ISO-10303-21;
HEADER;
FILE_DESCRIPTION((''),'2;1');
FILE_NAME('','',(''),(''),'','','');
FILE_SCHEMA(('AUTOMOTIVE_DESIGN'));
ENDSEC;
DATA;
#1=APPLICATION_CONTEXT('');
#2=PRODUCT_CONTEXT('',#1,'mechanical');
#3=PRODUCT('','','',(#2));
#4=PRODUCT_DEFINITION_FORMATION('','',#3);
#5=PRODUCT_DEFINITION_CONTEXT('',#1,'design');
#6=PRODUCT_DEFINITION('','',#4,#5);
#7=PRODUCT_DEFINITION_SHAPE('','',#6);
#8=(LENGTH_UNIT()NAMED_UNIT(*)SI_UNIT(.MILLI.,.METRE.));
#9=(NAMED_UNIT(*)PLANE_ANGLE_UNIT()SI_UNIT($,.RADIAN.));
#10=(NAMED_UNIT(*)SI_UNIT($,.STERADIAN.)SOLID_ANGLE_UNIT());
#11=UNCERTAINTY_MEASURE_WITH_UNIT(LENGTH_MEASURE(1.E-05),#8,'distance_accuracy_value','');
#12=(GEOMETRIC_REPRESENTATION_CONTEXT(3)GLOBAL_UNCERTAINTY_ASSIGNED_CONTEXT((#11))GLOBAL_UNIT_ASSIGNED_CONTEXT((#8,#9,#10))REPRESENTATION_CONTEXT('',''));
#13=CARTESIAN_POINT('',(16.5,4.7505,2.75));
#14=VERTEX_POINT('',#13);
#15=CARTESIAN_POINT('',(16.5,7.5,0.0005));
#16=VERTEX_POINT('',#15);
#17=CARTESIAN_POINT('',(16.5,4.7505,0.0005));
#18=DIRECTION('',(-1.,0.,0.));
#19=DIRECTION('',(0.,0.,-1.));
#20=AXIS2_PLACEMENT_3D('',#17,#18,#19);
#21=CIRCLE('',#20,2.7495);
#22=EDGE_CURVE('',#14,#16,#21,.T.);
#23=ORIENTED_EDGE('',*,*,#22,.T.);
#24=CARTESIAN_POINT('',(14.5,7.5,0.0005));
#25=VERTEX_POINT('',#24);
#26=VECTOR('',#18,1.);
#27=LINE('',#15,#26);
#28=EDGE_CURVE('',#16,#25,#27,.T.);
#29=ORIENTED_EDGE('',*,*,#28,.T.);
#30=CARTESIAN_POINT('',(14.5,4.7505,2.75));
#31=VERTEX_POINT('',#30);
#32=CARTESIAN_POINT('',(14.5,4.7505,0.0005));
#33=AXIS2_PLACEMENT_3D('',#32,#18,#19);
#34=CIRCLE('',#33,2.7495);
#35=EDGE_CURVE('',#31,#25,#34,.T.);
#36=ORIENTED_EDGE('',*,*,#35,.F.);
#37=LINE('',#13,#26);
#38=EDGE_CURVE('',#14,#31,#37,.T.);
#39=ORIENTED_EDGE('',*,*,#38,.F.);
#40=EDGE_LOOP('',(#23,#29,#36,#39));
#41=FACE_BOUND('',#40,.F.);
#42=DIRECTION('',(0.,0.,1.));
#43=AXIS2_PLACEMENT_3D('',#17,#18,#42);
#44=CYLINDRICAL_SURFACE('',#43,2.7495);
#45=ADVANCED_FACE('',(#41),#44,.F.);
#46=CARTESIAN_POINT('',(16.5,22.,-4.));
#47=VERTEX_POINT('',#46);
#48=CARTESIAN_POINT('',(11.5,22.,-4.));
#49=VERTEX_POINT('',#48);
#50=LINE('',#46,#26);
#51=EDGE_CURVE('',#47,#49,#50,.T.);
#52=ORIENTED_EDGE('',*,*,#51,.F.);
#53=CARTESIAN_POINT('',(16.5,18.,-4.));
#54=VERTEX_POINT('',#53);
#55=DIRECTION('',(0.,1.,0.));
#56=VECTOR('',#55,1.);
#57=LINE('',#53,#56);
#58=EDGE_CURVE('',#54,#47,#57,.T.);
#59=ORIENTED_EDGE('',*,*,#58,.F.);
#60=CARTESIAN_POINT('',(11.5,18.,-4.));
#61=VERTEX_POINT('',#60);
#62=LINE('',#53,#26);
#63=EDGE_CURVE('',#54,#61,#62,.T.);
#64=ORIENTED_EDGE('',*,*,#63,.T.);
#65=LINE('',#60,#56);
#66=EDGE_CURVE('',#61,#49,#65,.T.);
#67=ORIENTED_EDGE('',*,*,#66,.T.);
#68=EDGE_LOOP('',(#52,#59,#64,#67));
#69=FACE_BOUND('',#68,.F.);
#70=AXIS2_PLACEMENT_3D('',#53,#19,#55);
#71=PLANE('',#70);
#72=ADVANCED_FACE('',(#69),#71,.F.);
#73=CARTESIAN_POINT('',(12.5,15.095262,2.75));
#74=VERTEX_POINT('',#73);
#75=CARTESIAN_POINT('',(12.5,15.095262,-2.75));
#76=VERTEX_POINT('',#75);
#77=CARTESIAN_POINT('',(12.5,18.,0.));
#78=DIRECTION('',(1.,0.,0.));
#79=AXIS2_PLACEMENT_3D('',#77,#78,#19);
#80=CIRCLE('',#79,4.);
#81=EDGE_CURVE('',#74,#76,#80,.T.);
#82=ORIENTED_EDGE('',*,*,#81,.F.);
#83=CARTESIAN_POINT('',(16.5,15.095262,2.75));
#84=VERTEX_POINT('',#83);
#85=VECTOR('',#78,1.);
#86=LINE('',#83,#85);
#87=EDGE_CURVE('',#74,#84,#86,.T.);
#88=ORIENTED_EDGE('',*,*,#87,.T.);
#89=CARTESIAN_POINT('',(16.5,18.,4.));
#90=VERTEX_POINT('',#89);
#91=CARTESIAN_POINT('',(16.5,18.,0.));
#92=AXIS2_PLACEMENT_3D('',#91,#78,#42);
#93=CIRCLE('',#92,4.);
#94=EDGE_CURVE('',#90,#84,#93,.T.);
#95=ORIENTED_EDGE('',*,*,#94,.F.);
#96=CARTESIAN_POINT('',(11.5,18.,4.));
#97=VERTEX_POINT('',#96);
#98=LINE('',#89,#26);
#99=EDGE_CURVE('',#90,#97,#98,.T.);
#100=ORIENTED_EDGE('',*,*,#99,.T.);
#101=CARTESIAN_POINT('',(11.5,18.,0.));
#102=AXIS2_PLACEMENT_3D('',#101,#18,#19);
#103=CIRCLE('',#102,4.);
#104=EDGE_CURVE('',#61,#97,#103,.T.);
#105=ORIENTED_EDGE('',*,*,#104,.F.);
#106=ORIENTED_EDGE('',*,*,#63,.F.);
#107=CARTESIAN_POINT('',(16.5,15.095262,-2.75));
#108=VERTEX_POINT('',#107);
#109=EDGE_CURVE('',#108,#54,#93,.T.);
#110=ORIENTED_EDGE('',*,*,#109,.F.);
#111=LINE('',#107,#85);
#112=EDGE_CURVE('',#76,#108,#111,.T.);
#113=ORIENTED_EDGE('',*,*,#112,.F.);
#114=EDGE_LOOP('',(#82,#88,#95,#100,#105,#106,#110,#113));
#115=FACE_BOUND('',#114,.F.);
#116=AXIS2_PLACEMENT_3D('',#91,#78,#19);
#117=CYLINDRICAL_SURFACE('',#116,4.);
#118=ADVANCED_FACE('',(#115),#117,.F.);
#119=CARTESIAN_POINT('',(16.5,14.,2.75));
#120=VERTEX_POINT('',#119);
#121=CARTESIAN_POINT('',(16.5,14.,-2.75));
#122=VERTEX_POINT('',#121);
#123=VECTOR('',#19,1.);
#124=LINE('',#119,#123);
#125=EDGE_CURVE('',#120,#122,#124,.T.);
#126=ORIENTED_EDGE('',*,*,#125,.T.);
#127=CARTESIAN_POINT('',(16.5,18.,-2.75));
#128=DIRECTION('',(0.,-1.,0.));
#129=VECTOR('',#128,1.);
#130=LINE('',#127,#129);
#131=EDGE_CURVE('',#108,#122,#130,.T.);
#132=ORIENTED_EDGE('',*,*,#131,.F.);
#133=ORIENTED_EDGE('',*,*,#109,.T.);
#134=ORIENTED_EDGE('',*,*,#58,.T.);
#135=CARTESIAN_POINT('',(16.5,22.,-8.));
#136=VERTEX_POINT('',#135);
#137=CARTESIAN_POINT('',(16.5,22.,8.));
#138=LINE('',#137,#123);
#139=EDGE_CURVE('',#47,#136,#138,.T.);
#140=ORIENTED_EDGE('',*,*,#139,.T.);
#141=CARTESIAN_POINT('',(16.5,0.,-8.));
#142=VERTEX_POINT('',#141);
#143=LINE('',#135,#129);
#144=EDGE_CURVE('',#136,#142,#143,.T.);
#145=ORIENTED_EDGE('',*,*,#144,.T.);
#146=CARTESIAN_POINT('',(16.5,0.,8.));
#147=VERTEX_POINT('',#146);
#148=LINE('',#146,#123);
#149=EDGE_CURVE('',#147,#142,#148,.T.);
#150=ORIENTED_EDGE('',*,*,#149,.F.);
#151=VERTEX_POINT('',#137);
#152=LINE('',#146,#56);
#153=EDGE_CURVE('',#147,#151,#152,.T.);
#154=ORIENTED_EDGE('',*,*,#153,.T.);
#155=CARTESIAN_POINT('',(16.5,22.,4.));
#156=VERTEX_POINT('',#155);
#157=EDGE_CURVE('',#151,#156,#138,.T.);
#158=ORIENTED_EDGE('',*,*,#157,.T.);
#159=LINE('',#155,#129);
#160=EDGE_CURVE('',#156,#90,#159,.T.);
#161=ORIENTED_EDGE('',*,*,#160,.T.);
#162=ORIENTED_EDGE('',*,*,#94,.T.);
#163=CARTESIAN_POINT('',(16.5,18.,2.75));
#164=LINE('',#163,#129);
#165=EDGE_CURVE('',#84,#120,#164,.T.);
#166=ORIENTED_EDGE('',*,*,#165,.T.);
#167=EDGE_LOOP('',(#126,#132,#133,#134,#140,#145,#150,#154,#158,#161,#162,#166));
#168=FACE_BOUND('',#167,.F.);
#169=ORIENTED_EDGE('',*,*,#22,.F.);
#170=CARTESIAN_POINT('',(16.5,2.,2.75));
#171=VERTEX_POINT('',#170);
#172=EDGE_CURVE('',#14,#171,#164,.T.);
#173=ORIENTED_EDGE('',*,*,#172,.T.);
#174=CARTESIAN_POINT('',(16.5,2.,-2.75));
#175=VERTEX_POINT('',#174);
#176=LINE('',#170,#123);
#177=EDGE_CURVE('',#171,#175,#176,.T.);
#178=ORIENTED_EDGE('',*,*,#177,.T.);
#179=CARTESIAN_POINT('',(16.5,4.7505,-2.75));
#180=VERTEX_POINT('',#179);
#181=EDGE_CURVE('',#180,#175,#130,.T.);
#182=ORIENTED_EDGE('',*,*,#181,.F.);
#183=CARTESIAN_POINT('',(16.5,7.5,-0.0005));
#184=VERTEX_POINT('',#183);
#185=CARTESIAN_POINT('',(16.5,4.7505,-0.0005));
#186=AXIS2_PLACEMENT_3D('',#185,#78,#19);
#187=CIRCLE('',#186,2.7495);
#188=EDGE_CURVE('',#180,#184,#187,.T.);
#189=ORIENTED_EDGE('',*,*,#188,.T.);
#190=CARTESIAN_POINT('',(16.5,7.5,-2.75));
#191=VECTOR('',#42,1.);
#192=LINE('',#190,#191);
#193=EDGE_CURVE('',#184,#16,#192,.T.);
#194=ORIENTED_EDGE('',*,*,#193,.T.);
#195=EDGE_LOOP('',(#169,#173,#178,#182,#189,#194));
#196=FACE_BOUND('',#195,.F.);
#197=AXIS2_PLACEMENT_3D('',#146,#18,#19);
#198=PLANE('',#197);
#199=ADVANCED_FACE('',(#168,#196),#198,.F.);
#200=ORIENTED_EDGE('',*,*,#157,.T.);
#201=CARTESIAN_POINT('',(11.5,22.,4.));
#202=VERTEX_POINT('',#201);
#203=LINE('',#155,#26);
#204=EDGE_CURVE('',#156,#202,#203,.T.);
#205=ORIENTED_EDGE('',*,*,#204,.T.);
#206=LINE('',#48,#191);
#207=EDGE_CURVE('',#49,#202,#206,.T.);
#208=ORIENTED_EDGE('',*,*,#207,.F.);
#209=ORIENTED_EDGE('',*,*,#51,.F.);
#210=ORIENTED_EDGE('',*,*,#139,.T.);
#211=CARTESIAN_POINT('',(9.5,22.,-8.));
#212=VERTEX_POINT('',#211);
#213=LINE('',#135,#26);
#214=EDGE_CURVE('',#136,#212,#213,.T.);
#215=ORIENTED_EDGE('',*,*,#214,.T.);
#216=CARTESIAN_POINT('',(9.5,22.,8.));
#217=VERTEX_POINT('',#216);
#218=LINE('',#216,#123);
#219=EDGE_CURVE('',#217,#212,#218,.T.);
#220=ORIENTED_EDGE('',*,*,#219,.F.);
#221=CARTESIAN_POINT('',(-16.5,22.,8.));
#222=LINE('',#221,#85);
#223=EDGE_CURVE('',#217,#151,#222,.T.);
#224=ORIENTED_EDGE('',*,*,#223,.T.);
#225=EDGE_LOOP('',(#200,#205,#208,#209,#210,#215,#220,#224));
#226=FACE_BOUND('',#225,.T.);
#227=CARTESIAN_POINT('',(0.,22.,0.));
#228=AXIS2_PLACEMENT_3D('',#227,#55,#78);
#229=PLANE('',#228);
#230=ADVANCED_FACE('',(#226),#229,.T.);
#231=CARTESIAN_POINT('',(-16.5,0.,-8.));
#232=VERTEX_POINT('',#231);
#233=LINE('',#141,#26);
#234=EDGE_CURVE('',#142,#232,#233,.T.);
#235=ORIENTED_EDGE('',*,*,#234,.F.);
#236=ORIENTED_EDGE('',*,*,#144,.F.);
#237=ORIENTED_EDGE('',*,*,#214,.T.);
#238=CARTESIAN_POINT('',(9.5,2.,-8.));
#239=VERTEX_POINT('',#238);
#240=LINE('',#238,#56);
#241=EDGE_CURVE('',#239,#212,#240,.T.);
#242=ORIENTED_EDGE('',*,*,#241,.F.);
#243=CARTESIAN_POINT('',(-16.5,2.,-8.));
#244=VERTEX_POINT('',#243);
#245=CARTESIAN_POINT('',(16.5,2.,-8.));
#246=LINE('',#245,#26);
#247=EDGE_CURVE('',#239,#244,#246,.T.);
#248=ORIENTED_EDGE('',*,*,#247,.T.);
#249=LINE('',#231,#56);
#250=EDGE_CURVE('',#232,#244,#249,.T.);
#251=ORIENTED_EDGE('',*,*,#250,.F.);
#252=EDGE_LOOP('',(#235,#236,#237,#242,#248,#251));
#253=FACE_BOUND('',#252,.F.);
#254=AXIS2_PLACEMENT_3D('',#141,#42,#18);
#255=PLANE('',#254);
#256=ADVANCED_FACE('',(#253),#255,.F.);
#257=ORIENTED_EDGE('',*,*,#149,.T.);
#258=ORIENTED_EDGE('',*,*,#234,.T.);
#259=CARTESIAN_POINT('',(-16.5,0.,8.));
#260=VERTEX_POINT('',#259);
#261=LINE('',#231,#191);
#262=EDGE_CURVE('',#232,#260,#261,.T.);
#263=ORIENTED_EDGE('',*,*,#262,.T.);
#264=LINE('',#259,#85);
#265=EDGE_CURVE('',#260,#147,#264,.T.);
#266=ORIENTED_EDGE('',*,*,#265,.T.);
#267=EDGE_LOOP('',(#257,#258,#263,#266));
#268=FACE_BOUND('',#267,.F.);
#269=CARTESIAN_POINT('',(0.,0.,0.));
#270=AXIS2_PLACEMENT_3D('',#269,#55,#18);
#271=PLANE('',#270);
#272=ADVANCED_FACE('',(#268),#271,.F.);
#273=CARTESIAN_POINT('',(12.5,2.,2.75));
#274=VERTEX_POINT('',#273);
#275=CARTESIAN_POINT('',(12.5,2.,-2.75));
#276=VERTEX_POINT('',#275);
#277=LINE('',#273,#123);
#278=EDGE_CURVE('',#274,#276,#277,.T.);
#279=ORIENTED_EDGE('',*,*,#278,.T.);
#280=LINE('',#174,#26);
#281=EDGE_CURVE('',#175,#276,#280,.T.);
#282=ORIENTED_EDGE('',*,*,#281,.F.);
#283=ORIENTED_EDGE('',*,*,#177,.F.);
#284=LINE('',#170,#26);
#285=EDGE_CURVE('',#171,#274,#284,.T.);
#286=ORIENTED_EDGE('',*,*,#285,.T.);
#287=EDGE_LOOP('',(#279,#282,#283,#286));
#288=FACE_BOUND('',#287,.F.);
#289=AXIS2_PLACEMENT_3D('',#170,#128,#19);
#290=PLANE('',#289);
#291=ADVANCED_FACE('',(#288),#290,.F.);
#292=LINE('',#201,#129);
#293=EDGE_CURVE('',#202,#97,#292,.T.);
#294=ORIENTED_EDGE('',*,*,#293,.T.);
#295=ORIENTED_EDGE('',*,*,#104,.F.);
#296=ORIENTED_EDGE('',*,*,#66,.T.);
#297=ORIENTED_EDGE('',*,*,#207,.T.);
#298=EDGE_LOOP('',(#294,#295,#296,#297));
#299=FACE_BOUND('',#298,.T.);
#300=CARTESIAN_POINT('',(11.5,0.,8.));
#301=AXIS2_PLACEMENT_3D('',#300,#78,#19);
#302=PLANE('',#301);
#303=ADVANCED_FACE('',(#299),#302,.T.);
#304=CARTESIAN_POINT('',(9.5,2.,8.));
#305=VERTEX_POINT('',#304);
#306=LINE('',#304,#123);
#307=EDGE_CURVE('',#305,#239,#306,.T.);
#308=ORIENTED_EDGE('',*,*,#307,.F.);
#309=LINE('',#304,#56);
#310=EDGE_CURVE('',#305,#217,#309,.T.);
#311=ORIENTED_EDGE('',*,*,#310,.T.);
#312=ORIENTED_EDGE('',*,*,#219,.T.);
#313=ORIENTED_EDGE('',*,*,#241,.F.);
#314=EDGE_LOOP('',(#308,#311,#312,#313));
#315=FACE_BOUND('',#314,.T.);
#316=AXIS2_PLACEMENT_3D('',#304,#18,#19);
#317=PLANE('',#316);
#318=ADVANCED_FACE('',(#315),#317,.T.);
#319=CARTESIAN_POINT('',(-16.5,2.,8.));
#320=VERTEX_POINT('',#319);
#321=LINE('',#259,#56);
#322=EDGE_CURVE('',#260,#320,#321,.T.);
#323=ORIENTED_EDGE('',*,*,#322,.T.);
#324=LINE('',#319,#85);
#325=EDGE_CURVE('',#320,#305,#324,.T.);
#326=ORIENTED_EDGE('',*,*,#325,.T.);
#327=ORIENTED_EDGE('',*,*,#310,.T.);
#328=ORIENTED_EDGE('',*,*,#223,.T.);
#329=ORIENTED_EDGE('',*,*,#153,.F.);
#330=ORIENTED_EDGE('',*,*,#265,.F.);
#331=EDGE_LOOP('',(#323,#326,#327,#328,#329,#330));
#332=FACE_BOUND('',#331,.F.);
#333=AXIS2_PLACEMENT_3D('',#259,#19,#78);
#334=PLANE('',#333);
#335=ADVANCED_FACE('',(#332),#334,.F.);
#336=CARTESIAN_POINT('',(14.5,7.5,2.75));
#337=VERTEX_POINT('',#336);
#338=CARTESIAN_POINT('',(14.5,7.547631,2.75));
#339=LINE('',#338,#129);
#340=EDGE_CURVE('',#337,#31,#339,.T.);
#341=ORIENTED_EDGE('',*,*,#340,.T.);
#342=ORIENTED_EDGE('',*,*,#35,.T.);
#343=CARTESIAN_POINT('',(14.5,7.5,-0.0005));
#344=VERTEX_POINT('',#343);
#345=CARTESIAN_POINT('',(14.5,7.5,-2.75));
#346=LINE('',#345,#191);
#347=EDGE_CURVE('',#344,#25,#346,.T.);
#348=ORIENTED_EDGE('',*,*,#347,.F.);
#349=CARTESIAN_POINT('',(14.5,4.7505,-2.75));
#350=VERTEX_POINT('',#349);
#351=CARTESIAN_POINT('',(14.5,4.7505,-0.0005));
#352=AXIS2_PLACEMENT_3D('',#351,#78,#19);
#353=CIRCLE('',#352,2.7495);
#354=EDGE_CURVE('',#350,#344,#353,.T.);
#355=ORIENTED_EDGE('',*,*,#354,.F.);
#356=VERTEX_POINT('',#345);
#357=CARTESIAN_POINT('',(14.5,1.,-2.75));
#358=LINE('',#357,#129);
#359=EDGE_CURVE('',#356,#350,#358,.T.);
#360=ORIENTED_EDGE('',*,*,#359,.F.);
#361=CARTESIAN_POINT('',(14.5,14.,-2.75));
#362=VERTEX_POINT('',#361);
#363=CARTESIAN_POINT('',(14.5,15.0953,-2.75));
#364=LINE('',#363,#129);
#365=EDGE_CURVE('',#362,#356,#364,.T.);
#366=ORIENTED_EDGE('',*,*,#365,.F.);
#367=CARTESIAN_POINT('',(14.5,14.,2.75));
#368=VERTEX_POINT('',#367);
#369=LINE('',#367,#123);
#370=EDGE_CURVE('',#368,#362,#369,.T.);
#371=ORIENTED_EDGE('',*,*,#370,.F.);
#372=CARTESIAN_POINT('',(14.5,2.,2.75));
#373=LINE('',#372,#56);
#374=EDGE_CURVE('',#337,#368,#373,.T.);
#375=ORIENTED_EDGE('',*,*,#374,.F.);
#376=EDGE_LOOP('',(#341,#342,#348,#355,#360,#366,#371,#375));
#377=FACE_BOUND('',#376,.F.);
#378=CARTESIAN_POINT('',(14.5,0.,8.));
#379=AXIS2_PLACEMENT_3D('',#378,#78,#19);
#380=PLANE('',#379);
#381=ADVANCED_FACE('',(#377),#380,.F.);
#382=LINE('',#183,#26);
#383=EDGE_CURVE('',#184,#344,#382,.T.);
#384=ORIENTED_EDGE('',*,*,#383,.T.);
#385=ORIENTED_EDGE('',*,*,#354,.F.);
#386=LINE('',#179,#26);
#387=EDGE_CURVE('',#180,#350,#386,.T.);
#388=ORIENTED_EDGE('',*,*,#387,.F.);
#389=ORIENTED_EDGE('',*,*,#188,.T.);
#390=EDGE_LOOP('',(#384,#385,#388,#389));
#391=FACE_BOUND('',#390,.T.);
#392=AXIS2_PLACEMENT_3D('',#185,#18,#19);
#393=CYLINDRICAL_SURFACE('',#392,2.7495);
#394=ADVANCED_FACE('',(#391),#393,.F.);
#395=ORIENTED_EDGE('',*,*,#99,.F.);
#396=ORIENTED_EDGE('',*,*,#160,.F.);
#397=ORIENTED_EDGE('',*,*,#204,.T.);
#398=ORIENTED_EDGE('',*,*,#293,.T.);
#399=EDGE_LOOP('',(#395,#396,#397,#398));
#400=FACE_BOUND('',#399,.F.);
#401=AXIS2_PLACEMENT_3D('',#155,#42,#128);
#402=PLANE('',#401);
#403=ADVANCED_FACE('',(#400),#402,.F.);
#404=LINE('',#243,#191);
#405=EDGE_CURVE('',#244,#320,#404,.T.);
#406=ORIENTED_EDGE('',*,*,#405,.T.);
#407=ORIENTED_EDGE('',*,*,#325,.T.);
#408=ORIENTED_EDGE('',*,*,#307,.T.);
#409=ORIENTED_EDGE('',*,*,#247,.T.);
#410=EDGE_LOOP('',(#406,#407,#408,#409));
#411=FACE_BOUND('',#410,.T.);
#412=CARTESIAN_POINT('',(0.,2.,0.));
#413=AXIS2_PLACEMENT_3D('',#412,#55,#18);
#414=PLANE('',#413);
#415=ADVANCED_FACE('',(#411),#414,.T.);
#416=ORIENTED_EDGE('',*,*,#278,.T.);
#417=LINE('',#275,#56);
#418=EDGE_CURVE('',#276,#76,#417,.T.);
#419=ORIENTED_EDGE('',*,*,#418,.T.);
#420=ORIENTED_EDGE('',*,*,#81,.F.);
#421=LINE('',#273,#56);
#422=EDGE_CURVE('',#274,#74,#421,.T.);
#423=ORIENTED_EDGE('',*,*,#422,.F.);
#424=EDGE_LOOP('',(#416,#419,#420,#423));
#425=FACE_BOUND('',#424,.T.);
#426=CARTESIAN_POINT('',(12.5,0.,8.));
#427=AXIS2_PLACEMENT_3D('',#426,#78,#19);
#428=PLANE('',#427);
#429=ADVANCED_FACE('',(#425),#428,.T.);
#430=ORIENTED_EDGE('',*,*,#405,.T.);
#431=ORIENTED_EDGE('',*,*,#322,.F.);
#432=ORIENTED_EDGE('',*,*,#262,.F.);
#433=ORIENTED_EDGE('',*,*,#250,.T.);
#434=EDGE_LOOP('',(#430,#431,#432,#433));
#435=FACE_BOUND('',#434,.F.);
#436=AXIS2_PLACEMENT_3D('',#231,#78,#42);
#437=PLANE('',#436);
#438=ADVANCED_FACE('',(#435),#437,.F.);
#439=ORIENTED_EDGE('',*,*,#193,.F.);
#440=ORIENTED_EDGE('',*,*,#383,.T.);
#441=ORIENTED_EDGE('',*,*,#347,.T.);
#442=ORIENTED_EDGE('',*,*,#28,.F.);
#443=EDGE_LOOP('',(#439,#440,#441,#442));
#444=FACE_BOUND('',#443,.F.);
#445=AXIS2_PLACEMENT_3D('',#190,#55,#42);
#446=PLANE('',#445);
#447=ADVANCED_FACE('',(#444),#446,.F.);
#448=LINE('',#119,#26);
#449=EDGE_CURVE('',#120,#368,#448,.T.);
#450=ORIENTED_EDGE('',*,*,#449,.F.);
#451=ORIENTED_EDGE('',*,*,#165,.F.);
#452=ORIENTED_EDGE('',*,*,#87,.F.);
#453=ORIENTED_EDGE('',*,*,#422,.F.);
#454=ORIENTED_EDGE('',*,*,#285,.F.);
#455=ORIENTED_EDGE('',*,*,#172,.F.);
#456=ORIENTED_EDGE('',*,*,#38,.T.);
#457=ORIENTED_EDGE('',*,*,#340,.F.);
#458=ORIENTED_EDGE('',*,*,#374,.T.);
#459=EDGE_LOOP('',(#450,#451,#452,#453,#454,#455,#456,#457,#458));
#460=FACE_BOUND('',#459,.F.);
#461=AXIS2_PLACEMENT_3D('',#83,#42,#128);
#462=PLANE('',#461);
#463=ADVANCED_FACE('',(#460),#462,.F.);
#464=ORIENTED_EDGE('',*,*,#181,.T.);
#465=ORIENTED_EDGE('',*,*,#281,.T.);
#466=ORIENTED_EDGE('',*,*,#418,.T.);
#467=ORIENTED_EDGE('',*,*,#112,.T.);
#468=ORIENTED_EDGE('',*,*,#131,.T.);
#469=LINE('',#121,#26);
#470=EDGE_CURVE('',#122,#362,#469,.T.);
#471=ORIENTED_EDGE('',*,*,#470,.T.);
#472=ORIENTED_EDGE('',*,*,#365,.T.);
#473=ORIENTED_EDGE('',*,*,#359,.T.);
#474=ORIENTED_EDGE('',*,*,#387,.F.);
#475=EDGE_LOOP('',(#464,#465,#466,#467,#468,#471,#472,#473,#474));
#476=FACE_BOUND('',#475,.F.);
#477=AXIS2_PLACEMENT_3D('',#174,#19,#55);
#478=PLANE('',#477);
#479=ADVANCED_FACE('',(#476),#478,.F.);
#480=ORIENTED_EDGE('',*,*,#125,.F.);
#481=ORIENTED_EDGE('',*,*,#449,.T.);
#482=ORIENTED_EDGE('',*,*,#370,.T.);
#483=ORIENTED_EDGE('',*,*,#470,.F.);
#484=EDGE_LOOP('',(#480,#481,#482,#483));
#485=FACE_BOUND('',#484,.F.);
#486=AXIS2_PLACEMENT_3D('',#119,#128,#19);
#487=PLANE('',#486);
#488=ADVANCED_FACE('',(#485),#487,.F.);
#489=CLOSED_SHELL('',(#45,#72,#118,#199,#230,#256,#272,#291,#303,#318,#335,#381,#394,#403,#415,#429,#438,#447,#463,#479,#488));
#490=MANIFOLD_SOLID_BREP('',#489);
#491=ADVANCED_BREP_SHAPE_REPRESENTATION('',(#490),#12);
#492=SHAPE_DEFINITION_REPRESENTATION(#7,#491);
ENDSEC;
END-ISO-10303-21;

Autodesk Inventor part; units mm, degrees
ref_plane "YZ Plane" through (0, 0, 0) normal (1, 0, 0) x (0, 1, 0)
ref_plane "XZ Plane" through (0, 0, 0) normal (0, 1, 0) x (-1, 0, 0)
ref_plane "XY Plane" through (0, 0, 0) normal (0, 0, 1) x (1, 0, 0)
sketch "Sketch1" plane through (0, 0, 0) normal (0, 1, 0) x (-1, 0, 0)
  line L0 (16.5, 8) -> (-16.5, 8)
  line L1 (-16.5, 8) -> (-16.5, -8)
  line L2 (-16.5, -8) -> (16.5, -8)
  line L3 (16.5, -8) -> (16.5, 8)
  line L4 (16.5, 8) -> (-16.5, -8) construction
  line L5 (-16.5, 8) -> (16.5, -8) construction
  point P0 (0, 0)
  dimension "d0" = 16
  dimension "d1" = 33
extrude "Extrusion1" add sketch "Sketch1" along normal blind 2
sketch "Sketch2" plane through (0, 2, 0) normal (0, 1, 0) x (1, 0, 0)
  line L0 (-16.5, -8) -> (16.5, -8) projected
  line L1 (16.5, -8) -> (16.5, 8) projected
  line L2 (16.5, 8) -> (-16.5, 8) projected
  line L3 (-16.5, 8) -> (-16.5, -8) projected
  line L4 (16.5, -8) -> (9.5, -8)
  line L5 (9.5, -8) -> (9.5, 8)
  line L6 (9.5, 8) -> (16.5, 8)
  line L7 (16.5, 8) -> (16.5, -8)
  point P0 (0, 0)
  dimension "d4" = 7
extrude "Extrusion2" add sketch "Sketch2" along normal blind 20 contours L5 L2 L1 L0
sketch "Sketch3" plane through (16.5, 0, 8) normal (1, 0, 0) x (0, 0, -1)
  line L0 (0, 0) -> (16, 0) projected
  line L1 (16, 0) -> (16, 22) projected
  line L2 (0, 22) -> (16, 22) projected
  line L3 (0, 0) -> (0, 22) projected
  line L4 (10.75, 18) -> (5.25, 18)
  line L5 (5.25, 18) -> (5.25, 2)
  line L6 (5.25, 2) -> (10.75, 2)
  line L7 (10.75, 2) -> (10.75, 18)
  line L8 (10.75, 18) -> (5.25, 2) construction
  line L9 (5.25, 18) -> (10.75, 2) construction
  circle A0 centre (8, 18) radius 4
  line L10 (0, 22) -> (16, 22) projected
  line L11 (4, 18) -> (12, 18)
  line L12 (12, 18) -> (12, 22)
  line L13 (12, 22) -> (4, 22)
  line L14 (4, 22) -> (4, 18)
  point P0 (8, 0)
  point P1 (8, 10)
  dimension "d11" = 8
  dimension "d7" = 4
  dimension "d8" = 16
  dimension "d9" = 5.5
  dimension "d10" = 8
extrude "Extrusion3" cut sketch "Sketch3" against normal blind 4 contours A0 L7 L6 L5 | L5 L4 L7 A0
extrude "Extrusion4" cut sketch "Sketch3" against normal blind 5 contours L2 A0 L14 | L12 A0 L2 | A0 L11 L4 | L11 L5 A0 | A0 L7 L11 | L5 L4 L7 A0
sketch "Sketch4" plane through (16.5, 0, 8) normal (1, 0, 0) x (0, 0, -1)
  line L0 (5.25, 2) -> (5.25, 15.0953) projected
  line L1 (10.75, 15.0953) -> (10.75, 2) projected
  line L2 (5.25, 14) -> (10.75, 14)
  line L3 (10.75, 14) -> (10.75, 7.5)
  line L4 (10.75, 7.5) -> (5.25, 7.5)
  line L5 (5.25, 7.5) -> (5.25, 14)
  line L6 (10.75, 2) -> (5.25, 2) projected
  point P0 (8, 0)
  dimension "d16" = 5.5
  dimension "d17" = 6.5
extrude "Extrusion5" add sketch "Sketch4" against normal blind 2 contours L0 L2 L1 L4
fillet "Fillet1" radius 2.75 2 edges at (15.5, 7.5, -2.75) (15.5, 7.5, 2.75)
properties part number "leg_hind_upper_joint"
